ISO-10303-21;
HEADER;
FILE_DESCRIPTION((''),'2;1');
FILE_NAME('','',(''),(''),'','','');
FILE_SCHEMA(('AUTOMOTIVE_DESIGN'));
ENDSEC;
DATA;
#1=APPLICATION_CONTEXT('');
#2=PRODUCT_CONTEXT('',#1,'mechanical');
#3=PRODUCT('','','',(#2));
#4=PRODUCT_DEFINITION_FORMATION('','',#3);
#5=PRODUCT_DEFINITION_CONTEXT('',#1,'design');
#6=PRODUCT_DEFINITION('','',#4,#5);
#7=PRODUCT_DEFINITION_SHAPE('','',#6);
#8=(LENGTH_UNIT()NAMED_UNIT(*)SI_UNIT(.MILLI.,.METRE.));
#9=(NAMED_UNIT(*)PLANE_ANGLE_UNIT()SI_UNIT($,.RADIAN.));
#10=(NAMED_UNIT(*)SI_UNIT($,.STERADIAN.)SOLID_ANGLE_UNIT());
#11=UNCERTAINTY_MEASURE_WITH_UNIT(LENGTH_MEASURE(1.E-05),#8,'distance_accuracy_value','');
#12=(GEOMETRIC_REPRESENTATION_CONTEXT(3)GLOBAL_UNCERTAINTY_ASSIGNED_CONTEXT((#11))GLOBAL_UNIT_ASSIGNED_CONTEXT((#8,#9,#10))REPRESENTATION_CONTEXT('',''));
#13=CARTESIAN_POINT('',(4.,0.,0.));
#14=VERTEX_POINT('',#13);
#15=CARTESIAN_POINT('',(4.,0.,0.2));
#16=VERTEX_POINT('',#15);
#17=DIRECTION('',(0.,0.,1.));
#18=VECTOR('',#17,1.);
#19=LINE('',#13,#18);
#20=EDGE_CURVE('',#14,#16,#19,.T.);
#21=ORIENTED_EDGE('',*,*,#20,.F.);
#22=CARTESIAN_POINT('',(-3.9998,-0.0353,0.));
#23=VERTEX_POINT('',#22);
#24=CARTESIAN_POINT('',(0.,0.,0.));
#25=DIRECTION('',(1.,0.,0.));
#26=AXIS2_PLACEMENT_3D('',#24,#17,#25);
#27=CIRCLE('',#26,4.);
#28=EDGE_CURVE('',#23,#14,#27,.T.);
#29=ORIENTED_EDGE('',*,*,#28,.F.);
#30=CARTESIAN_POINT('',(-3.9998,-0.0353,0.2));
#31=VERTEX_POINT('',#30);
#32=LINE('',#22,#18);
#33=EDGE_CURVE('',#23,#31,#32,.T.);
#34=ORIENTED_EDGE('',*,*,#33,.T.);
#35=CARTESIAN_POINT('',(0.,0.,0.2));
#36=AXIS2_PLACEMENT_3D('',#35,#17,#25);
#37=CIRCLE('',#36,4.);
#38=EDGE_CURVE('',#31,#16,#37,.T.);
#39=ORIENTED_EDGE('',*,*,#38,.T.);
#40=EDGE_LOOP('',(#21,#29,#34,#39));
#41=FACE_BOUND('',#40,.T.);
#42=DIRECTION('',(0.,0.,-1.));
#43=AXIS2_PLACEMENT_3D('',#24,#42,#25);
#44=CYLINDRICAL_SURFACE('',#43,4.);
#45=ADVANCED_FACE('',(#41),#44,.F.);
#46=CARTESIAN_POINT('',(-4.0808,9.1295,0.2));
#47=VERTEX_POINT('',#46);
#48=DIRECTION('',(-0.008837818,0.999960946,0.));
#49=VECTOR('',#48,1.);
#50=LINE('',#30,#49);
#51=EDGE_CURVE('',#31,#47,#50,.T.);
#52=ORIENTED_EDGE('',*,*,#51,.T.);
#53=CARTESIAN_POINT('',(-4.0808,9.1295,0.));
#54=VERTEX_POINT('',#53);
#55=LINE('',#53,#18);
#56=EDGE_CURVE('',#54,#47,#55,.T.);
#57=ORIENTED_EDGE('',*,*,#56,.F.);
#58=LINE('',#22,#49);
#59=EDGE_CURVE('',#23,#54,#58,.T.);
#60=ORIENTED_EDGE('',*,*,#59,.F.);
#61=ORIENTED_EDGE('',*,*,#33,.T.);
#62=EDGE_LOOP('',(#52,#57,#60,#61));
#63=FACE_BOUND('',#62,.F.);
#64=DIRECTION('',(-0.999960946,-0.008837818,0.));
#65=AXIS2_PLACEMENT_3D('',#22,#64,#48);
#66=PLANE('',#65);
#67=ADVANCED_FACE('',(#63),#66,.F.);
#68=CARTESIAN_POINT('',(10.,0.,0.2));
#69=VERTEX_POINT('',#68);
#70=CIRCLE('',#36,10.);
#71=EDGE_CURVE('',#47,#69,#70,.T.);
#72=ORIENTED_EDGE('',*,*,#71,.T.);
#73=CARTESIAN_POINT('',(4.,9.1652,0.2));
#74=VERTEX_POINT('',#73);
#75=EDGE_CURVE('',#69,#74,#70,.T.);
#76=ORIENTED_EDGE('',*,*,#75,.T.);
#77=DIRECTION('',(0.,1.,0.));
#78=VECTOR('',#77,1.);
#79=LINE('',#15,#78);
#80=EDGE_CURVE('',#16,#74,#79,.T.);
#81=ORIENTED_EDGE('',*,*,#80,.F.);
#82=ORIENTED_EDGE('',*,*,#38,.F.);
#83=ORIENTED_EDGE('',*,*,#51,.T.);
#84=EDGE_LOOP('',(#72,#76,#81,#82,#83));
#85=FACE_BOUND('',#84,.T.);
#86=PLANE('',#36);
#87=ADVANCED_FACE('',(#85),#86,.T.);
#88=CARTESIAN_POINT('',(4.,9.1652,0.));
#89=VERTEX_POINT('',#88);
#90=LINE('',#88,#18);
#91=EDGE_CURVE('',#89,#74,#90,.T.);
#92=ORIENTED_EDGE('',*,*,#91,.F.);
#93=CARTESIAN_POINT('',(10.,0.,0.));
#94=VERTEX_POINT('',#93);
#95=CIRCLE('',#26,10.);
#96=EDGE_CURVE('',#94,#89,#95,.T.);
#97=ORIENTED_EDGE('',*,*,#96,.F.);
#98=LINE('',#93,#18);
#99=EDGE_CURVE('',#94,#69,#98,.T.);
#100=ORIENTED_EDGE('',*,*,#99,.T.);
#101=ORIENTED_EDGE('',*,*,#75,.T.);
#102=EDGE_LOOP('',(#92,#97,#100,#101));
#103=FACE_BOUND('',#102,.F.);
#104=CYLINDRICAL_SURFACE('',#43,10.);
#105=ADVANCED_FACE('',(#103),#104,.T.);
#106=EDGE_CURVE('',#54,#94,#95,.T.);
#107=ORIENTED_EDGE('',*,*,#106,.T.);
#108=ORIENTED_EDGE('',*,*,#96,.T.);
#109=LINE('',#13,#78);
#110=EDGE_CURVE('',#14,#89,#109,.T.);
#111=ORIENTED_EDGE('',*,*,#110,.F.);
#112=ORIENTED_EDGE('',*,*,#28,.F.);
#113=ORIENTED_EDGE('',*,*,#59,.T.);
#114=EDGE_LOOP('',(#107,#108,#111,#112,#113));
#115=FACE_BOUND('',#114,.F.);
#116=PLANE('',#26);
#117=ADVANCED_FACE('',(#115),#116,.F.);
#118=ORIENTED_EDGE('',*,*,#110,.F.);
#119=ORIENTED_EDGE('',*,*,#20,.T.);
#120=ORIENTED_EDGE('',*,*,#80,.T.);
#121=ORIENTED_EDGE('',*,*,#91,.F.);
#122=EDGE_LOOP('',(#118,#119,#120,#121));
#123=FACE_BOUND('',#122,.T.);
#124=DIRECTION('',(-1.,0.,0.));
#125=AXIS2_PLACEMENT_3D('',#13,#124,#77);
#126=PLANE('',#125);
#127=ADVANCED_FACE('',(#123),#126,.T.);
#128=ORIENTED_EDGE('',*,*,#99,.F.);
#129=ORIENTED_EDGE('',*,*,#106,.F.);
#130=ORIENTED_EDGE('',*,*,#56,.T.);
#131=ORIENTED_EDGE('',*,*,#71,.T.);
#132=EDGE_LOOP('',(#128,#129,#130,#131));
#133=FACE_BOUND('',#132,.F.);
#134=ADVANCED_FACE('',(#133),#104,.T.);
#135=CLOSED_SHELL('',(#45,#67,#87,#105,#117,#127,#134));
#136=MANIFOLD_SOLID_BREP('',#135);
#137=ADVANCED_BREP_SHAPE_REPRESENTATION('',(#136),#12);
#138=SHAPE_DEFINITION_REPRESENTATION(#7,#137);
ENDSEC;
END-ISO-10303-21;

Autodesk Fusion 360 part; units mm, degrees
sketch "Sketch1" plane through (0, 0, 0) normal (0, 0, 1) x (1, 0, 0)
  circle A0 centre (0, 0) radius 4
  circle A1 centre (0, 0) radius 10
  line L0 (4, 0) -> (4, 9.1652)
  line L1 (-3.9998, -0.0353) -> (-4.0808, 9.1295)
  dimension "d1" = 8
  dimension "d2" = 20
extrude "Extrude1" add sketch "Sketch1" along normal blind 0.2 contours A0 A1 L0 L1 picked at (-7.9763, 0.257)
